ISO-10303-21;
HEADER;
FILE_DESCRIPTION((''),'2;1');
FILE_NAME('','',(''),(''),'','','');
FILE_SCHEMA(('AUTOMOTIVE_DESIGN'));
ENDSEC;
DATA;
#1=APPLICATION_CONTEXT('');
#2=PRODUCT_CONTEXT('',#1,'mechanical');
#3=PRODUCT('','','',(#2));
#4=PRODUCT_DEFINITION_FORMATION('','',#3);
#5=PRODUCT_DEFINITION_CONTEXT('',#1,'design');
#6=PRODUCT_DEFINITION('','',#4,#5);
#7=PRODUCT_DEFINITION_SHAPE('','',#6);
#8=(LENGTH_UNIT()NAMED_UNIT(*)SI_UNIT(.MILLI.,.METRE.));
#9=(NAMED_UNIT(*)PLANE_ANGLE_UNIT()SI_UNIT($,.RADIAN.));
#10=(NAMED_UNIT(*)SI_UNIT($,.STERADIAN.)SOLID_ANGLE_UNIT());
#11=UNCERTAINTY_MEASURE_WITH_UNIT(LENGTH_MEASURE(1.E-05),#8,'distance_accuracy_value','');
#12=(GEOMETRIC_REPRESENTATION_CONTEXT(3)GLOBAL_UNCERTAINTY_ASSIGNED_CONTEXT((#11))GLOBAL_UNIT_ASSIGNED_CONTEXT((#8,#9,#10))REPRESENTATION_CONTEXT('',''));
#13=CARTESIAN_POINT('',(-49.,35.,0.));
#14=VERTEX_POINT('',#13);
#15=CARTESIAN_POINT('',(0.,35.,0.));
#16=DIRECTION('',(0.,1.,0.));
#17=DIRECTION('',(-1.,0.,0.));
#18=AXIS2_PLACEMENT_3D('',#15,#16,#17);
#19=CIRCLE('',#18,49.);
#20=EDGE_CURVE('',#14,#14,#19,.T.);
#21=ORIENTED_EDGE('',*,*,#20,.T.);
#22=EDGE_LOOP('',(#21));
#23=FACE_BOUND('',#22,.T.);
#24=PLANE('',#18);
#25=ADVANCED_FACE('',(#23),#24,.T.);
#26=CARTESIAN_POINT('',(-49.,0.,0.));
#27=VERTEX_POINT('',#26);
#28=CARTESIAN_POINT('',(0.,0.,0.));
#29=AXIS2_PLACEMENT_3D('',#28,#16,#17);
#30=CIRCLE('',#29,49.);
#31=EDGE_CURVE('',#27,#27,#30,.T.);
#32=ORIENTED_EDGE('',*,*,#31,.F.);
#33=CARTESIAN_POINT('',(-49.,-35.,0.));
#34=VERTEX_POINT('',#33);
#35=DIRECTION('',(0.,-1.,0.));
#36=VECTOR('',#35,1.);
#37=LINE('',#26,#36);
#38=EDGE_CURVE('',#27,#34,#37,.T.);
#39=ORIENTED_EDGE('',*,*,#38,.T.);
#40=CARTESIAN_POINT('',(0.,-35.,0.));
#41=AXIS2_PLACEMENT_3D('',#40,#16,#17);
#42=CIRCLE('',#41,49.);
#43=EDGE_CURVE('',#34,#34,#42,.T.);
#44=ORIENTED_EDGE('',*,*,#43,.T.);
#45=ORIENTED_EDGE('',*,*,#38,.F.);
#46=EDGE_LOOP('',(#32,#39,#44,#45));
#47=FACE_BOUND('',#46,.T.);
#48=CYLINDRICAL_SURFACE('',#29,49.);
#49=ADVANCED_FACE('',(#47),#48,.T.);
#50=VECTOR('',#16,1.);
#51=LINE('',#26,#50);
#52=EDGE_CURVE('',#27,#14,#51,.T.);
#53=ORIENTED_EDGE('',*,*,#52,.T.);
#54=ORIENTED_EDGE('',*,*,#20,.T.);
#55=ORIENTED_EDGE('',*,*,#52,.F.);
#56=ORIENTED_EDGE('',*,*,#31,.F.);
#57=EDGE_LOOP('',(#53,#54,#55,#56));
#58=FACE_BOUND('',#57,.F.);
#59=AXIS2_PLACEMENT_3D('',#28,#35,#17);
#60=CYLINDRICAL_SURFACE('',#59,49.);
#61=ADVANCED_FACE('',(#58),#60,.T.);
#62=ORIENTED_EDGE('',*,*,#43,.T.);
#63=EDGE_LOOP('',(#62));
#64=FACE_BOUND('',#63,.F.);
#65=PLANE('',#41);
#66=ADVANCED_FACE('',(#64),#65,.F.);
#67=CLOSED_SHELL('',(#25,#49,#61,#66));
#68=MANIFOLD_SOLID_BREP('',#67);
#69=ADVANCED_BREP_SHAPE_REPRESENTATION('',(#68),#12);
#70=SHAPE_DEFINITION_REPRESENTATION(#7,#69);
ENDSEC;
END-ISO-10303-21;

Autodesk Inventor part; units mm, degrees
ref_plane "YZ Plane" through (0, 0, 0) normal (1, 0, 0) x (0, 1, 0)
ref_plane "XZ Plane" through (0, 0, 0) normal (0, 1, 0) x (-1, 0, 0)
ref_plane "XY Plane" through (0, 0, 0) normal (0, 0, 1) x (1, 0, 0)
sketch "Sketch1" plane through (0, 0, 0) normal (0, 1, 0) x (-1, 0, 0)
  circle A0 centre (0, 0) radius 49
  line L0 (70, 0) -> (-70, 0) construction
  line L1 (0, -70) -> (0, 70) construction
  dimension "dia" = 98
extrude "Extrusion1" add sketch "Sketch1" along normal mid plane 70
equation "\"dia\" = stock_x"
equation "\"d1\" = stock_z"
equation "\"stock_z\" = 70"
equation "\"stock_x\" = 98"
properties part number "RoundStock"
